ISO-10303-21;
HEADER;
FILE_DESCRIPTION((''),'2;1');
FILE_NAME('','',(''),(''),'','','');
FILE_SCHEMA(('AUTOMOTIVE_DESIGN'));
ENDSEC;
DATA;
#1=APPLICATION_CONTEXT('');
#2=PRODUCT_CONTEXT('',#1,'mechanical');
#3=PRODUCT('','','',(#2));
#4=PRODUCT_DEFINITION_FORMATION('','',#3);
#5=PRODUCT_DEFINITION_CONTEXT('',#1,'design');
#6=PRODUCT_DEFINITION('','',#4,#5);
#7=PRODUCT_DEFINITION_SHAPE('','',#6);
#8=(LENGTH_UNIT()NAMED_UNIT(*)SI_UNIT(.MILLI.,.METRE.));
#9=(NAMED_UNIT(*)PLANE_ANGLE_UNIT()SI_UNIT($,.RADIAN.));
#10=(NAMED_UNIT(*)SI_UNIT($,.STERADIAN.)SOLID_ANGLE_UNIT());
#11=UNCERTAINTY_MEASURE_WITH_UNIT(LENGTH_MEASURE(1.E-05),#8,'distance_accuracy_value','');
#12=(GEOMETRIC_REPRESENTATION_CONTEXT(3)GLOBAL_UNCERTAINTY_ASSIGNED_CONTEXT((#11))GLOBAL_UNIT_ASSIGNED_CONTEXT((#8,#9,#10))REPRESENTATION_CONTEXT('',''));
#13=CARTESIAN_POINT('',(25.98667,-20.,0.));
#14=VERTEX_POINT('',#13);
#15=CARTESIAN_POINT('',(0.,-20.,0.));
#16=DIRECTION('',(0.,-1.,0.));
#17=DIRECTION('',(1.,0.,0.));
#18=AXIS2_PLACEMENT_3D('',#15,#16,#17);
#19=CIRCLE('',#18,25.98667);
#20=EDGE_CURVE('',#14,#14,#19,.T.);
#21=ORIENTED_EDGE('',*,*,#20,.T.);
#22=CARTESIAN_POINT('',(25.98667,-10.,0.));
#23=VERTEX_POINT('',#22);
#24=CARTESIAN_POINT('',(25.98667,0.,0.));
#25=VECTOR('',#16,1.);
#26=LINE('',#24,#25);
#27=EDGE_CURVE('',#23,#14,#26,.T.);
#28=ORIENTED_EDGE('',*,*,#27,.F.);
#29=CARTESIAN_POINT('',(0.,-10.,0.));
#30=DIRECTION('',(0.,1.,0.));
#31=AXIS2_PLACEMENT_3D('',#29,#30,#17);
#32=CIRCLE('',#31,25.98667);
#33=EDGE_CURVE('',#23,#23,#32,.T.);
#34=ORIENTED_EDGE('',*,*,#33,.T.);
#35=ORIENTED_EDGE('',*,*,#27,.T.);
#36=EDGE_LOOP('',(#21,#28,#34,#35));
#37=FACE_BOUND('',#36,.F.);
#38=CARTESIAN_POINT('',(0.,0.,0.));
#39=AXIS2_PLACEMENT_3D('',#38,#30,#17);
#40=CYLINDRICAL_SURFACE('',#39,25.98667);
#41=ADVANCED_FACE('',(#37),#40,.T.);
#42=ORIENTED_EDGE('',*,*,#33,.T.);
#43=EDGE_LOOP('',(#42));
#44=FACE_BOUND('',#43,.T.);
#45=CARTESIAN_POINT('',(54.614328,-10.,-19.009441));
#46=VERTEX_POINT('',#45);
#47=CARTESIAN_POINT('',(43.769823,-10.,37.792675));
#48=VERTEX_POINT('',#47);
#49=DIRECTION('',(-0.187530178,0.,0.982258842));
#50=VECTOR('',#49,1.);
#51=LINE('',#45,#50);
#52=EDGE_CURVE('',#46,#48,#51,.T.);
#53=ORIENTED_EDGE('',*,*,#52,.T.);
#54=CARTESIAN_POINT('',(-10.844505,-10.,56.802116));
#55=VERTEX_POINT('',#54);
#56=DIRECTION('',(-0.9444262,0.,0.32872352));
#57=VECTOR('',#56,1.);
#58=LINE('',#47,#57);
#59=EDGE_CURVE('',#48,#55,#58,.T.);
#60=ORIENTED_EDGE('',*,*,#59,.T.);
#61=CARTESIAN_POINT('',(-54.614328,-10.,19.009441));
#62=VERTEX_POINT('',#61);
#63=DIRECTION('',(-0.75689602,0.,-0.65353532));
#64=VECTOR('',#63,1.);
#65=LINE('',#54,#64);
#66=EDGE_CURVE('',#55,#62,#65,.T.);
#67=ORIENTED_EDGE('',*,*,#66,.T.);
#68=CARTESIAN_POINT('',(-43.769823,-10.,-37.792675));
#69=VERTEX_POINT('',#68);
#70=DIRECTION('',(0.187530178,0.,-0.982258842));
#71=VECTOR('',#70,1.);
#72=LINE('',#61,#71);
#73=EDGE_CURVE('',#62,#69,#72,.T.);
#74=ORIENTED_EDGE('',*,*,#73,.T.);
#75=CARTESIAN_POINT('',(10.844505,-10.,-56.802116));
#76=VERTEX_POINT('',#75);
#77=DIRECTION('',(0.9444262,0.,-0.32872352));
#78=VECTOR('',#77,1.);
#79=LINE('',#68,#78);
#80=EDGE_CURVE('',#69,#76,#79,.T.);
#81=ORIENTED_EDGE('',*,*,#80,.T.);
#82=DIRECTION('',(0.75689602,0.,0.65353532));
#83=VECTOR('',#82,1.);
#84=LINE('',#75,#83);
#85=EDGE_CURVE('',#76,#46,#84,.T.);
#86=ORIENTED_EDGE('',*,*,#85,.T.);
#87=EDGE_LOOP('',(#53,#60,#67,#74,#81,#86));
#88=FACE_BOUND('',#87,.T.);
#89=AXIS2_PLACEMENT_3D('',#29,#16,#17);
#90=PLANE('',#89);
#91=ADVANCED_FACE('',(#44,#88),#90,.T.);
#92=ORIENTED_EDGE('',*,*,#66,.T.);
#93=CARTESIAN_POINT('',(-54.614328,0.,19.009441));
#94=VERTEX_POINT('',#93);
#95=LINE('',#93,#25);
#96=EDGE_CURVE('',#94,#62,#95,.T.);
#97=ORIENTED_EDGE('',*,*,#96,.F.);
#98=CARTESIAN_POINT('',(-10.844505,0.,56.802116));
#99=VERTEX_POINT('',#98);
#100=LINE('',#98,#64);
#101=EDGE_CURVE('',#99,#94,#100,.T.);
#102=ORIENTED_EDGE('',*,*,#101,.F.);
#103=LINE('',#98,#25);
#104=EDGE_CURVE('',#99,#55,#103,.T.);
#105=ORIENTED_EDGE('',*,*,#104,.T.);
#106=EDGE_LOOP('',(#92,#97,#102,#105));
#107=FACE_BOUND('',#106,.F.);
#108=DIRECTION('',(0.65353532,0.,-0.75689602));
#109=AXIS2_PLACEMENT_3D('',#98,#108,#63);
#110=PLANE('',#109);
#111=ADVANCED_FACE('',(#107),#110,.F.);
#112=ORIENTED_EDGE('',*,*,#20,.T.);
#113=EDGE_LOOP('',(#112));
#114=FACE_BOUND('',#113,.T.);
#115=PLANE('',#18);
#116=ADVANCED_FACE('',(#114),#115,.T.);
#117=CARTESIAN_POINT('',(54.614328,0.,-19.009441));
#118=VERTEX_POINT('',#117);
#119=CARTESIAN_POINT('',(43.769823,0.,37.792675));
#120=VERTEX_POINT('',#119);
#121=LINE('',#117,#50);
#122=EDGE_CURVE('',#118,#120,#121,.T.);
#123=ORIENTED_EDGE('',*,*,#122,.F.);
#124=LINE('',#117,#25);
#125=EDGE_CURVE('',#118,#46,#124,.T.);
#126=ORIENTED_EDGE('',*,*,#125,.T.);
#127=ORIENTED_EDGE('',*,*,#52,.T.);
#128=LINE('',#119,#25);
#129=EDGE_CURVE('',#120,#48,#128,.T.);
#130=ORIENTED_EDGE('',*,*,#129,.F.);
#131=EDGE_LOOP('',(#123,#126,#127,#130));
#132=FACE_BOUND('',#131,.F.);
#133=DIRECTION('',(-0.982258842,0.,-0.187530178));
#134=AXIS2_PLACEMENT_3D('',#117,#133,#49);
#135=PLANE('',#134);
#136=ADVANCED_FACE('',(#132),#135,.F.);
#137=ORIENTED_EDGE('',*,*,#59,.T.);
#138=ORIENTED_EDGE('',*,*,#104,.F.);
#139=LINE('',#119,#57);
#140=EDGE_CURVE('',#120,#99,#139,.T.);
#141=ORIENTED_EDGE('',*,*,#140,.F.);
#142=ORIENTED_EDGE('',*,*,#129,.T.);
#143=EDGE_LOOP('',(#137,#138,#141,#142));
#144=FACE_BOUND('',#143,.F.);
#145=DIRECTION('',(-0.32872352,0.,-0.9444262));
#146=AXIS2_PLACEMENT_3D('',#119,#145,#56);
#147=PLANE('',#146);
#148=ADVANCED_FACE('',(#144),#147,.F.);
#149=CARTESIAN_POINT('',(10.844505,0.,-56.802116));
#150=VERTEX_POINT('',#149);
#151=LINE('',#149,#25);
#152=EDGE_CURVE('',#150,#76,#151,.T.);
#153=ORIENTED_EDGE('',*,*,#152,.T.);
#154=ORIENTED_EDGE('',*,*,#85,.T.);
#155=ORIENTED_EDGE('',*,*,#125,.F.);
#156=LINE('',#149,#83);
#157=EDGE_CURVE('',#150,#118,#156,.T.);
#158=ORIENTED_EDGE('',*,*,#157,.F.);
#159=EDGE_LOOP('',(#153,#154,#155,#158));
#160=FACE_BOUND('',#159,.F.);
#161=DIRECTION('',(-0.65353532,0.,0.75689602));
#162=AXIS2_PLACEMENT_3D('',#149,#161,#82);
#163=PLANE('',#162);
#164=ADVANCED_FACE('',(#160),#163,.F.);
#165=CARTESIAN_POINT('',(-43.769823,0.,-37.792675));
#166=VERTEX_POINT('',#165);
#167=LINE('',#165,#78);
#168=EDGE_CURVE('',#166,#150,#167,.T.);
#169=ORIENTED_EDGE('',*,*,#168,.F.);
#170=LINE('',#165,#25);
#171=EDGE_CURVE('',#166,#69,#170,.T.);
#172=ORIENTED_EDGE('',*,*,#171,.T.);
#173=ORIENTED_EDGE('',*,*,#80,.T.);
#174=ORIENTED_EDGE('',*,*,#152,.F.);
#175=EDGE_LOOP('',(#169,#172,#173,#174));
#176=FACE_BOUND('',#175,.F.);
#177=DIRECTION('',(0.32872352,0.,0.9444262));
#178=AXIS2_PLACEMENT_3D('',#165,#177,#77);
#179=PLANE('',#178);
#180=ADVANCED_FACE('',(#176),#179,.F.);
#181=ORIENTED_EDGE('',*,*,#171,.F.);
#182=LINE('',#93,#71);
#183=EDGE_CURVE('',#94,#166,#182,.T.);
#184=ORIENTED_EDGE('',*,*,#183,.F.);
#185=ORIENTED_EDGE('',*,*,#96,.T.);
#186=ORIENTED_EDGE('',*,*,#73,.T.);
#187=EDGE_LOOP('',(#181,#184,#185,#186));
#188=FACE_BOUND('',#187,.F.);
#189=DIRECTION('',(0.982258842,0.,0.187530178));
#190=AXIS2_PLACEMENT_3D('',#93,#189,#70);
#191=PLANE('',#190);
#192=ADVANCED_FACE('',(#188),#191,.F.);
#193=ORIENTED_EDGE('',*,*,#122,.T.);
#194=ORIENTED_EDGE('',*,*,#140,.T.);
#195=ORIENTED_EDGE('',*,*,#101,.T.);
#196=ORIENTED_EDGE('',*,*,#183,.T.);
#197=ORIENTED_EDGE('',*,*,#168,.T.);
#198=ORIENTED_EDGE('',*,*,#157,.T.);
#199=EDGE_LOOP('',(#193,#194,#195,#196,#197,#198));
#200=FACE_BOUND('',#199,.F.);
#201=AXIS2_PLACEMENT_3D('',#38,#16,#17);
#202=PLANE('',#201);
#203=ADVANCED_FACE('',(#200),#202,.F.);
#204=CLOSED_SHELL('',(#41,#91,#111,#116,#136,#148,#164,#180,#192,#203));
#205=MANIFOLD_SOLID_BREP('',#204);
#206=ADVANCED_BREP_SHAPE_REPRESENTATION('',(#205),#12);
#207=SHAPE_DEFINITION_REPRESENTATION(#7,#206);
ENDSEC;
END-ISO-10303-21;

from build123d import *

# Parameters (mm, degrees)
F1_DEPTH = 10
F2_R     = 25.98667
F3_DEPTH = 20


with BuildPart() as f1:
    # F0 (on Front) → F1 (new body)
    with BuildSketch(Plane.XZ):
        Polygon((10.844505, -56.802116), (54.614328, -19.009441), (43.769823, 37.792675), (-10.844505, 56.802116), (-54.614328, 19.009441), (-43.769823, -37.792675), align=None)
    extrude(amount=F1_DEPTH)

    # F2 (on Front) → F3 (join)
    with BuildSketch(Plane.XZ):
        Circle(F2_R)
    extrude(amount=F3_DEPTH)


solid = f1.part
